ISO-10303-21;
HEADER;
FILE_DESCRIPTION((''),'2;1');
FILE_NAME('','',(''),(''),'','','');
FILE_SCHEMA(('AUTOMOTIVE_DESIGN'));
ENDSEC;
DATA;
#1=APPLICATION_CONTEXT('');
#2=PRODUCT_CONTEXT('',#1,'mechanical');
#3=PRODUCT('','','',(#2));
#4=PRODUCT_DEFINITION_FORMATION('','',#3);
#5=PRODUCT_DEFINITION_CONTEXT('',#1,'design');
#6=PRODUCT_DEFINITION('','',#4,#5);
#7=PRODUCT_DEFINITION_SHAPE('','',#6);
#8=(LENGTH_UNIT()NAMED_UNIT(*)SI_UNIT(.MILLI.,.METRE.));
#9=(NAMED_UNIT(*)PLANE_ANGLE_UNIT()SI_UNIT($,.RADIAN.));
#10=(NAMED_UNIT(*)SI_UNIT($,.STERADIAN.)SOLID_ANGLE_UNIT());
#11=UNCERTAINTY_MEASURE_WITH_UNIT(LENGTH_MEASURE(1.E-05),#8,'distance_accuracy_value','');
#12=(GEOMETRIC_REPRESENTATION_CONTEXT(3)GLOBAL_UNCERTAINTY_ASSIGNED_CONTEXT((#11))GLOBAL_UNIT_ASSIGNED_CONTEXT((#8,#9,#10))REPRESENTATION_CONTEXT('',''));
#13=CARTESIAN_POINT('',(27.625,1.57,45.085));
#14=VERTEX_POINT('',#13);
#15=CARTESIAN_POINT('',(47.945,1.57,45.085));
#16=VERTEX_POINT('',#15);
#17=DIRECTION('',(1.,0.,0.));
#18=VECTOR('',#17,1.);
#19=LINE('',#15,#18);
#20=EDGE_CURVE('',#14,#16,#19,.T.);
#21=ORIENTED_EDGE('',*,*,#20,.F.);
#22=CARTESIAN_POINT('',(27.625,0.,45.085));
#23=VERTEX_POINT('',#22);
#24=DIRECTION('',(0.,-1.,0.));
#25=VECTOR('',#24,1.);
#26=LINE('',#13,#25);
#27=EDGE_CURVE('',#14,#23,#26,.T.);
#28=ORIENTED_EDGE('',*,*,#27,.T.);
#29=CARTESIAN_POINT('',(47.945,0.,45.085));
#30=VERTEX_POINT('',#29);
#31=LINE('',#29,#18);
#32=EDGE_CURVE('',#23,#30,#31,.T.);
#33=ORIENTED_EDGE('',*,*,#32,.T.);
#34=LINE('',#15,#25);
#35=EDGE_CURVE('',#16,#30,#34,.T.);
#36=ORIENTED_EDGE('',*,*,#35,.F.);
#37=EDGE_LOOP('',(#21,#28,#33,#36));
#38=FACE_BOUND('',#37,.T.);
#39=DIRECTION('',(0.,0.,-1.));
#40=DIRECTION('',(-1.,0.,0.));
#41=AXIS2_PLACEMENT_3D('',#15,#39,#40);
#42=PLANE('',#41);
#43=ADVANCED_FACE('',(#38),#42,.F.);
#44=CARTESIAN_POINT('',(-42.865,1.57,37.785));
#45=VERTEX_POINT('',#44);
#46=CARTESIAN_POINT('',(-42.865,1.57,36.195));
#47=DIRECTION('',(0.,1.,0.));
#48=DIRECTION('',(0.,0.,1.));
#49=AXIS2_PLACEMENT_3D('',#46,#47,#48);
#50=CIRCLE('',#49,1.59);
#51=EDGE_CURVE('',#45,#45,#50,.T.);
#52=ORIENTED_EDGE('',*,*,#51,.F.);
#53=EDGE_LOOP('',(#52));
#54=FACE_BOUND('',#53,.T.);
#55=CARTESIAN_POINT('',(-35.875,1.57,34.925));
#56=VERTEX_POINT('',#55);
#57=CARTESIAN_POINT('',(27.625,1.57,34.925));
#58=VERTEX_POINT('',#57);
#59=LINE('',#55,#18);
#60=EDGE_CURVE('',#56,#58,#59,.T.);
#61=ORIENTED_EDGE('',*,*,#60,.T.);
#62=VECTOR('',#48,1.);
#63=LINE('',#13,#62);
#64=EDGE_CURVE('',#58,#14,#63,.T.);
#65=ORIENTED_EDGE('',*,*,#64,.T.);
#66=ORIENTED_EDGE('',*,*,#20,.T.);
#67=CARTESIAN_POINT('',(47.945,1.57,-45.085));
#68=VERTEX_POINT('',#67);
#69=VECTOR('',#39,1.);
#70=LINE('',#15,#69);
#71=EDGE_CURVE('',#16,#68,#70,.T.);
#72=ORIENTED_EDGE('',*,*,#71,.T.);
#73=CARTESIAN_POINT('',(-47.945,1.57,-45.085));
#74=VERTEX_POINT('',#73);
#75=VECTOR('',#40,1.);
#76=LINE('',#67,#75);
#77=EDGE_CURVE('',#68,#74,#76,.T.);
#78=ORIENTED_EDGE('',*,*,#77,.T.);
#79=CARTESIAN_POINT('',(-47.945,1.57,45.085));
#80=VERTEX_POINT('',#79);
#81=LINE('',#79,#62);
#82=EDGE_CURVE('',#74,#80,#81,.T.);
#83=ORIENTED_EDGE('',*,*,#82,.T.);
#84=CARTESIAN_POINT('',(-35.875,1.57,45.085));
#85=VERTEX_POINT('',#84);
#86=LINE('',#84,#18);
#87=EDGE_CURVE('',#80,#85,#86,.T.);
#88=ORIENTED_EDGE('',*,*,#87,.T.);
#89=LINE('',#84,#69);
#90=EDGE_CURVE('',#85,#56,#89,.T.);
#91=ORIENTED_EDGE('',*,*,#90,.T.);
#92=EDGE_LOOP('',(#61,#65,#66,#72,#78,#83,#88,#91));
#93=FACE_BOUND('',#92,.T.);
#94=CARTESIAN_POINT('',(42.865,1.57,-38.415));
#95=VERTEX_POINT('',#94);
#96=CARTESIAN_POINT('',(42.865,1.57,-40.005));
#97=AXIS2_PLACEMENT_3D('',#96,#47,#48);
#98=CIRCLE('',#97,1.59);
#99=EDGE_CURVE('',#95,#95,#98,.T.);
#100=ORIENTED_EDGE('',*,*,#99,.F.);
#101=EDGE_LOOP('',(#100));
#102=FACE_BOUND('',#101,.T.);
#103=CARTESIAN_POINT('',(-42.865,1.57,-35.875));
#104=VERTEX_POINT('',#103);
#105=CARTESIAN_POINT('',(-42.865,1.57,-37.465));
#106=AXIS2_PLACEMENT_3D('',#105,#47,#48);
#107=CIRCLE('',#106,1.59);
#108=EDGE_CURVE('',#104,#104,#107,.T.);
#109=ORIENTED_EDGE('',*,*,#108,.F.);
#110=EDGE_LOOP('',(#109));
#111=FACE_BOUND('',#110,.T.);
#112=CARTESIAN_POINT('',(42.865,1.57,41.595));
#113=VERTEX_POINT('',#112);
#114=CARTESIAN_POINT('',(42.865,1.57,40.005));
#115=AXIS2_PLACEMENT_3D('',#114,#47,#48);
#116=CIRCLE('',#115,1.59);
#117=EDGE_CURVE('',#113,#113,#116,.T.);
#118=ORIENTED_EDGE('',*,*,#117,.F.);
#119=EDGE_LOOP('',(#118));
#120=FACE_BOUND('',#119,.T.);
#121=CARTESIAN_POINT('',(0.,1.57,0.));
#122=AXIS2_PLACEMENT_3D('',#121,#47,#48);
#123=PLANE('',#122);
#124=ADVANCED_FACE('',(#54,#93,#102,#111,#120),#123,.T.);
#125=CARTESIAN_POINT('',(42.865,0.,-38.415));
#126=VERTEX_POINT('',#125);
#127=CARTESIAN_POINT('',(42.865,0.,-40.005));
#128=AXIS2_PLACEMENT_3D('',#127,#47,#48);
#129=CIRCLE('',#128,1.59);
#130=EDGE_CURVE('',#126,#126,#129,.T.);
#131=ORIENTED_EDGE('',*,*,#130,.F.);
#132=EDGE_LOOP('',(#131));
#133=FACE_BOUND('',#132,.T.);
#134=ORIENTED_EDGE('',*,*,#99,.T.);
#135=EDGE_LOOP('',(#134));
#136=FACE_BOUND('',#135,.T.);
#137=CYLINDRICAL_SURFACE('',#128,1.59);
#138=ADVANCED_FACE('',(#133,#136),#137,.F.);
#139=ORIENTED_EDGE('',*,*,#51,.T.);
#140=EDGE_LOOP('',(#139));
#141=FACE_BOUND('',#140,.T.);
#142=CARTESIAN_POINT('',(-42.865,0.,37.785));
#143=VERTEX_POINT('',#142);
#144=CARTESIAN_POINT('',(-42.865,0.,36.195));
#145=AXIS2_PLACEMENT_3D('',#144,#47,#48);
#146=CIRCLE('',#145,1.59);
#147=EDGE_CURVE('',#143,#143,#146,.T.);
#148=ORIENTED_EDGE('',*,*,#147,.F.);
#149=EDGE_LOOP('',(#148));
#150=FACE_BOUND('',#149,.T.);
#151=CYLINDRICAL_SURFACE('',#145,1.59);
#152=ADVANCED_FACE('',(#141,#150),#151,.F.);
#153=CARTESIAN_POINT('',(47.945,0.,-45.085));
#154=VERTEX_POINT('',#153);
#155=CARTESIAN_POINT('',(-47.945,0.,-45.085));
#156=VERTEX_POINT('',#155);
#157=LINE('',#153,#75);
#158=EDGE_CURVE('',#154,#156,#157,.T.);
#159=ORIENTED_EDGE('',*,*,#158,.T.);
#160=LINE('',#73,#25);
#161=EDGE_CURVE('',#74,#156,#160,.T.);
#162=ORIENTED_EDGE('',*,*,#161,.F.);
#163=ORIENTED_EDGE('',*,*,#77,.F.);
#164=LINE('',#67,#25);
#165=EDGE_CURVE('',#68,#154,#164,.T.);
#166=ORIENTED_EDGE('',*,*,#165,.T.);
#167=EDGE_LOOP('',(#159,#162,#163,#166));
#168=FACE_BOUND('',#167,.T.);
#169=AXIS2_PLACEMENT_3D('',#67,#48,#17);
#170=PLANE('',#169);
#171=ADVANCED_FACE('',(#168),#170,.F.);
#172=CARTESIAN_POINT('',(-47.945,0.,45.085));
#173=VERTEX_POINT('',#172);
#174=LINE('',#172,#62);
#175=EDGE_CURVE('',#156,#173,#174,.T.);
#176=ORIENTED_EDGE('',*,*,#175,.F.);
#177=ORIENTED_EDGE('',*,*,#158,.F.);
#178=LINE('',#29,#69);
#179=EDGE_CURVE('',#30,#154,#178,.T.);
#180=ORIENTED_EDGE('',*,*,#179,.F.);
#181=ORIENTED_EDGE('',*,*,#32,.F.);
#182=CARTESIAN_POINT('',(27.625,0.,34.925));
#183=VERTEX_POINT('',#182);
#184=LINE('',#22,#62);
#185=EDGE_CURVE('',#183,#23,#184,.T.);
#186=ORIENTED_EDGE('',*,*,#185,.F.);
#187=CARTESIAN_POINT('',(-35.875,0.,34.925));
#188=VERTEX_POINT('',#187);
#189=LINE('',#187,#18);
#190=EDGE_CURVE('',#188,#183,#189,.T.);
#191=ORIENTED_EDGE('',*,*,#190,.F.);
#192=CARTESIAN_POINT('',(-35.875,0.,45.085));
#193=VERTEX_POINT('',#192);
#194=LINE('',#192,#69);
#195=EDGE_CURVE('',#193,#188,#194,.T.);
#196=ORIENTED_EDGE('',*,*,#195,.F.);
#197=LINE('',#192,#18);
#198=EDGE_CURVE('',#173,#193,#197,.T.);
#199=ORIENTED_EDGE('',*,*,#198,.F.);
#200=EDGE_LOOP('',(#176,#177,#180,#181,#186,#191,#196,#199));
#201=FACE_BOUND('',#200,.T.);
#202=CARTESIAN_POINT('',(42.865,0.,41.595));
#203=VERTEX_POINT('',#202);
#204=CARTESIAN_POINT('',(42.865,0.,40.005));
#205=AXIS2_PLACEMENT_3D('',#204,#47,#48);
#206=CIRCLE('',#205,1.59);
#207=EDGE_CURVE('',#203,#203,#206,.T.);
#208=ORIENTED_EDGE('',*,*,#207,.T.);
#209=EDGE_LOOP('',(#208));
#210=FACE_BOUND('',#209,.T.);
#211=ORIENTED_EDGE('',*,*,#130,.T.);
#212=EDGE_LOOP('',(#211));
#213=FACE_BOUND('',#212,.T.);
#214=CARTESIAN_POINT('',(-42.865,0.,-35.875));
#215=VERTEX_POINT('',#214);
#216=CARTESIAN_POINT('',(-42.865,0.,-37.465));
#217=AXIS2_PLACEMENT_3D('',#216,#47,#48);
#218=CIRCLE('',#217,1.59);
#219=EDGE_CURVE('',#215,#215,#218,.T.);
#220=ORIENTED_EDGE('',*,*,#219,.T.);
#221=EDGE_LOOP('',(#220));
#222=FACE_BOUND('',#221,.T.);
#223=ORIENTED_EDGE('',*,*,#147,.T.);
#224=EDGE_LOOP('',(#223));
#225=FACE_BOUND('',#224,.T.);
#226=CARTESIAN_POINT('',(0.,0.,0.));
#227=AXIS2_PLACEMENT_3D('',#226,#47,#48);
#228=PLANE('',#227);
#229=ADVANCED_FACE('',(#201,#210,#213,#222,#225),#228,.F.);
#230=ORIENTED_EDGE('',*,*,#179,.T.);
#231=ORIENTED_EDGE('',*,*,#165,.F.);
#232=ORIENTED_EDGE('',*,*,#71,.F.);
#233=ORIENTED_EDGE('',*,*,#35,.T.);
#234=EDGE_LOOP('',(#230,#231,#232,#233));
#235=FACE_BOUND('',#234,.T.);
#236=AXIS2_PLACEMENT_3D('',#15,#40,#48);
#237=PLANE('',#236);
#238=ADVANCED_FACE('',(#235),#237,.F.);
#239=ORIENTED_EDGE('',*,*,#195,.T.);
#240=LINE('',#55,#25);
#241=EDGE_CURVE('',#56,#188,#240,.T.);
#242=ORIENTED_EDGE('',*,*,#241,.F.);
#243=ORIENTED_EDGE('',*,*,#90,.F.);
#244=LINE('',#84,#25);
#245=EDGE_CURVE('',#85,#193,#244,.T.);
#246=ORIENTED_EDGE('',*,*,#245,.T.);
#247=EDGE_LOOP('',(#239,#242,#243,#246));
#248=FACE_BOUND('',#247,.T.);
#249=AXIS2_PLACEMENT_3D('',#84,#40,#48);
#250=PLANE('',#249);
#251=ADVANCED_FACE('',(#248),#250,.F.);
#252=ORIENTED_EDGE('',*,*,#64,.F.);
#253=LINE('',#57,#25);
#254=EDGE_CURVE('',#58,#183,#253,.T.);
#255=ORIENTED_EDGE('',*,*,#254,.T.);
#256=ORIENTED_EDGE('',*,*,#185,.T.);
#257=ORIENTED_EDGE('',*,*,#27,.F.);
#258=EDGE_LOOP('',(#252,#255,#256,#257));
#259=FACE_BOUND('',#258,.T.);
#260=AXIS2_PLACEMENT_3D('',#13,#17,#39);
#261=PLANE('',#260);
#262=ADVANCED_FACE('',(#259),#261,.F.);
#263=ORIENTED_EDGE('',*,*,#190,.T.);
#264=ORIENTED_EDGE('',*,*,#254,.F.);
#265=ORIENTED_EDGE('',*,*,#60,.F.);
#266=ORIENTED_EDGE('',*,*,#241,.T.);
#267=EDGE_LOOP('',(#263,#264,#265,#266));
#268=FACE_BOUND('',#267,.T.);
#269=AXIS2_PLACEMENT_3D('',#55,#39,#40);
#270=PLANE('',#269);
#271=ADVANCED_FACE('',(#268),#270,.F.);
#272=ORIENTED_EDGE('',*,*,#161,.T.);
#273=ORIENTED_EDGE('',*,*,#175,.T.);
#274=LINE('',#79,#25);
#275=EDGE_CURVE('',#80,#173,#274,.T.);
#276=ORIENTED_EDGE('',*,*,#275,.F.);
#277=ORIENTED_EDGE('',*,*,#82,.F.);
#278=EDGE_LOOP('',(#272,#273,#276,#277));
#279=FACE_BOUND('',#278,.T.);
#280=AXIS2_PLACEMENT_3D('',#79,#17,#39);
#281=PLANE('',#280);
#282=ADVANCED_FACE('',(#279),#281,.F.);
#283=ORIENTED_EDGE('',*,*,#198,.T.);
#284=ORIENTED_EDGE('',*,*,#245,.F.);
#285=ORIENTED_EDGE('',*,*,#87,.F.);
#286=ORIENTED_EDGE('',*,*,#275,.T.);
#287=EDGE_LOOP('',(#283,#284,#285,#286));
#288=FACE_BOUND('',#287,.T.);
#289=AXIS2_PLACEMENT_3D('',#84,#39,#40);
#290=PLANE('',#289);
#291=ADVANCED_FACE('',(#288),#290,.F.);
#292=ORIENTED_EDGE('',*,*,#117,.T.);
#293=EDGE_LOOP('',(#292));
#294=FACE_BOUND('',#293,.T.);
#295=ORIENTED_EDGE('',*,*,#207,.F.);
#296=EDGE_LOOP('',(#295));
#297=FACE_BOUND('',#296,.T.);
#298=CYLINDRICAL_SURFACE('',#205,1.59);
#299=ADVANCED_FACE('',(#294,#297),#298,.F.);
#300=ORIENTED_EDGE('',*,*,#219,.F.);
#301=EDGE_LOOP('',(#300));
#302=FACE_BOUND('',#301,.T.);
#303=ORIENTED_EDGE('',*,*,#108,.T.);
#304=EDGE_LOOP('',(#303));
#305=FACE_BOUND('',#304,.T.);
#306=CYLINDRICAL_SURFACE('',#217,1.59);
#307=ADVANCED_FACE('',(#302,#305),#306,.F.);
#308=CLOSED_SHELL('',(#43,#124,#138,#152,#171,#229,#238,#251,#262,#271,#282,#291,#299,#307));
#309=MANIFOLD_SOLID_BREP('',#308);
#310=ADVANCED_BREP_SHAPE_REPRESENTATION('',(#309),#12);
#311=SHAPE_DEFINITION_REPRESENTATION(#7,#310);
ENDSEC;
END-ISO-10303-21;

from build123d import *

# Parameters (mm, degrees)
BOSS_EXTRUDE1_DEPTH = 1.57
SKETCH2_R           = 1.59
CUT_EXTRUDE1_DEPTH  = 66.831946272


with BuildPart() as part:
    # Sketch1 → Boss-Extrude1 (new body)
    with BuildSketch(Plane(origin=(0, 0, 0), x_dir=(1, 0, 0), z_dir=(0, 1, 0))):
        Polygon((-35.875, -45.085), (-47.945, -45.085), (-47.945, 45.085), (47.945, 45.085), (47.945, -45.085), (27.625, -45.085), (27.625, -34.925), (-35.875, -34.925), align=None)
    extrude(amount=BOSS_EXTRUDE1_DEPTH)

    # Sketch2 → Cut-Extrude1 (cut, through all)
    with BuildSketch(Plane(origin=(0, 1.57, 0), x_dir=(1, 0, 0), z_dir=(0, 1, 0))):
        with Locations(Location((42.865, -40.005, 0), (0, 0, 270))):
            Circle(SKETCH2_R)
        with Locations(Location((-42.865, -36.195, 0), (0, 0, 270))):
            Circle(SKETCH2_R)
        with Locations(Location((-42.865, 37.465, 0), (0, 0, 270))):
            Circle(SKETCH2_R)
        with Locations(Location((42.865, 40.005, 0), (0, 0, 270))):
            Circle(SKETCH2_R)
    extrude(amount=-CUT_EXTRUDE1_DEPTH, mode=Mode.SUBTRACT)


solid = part.part
